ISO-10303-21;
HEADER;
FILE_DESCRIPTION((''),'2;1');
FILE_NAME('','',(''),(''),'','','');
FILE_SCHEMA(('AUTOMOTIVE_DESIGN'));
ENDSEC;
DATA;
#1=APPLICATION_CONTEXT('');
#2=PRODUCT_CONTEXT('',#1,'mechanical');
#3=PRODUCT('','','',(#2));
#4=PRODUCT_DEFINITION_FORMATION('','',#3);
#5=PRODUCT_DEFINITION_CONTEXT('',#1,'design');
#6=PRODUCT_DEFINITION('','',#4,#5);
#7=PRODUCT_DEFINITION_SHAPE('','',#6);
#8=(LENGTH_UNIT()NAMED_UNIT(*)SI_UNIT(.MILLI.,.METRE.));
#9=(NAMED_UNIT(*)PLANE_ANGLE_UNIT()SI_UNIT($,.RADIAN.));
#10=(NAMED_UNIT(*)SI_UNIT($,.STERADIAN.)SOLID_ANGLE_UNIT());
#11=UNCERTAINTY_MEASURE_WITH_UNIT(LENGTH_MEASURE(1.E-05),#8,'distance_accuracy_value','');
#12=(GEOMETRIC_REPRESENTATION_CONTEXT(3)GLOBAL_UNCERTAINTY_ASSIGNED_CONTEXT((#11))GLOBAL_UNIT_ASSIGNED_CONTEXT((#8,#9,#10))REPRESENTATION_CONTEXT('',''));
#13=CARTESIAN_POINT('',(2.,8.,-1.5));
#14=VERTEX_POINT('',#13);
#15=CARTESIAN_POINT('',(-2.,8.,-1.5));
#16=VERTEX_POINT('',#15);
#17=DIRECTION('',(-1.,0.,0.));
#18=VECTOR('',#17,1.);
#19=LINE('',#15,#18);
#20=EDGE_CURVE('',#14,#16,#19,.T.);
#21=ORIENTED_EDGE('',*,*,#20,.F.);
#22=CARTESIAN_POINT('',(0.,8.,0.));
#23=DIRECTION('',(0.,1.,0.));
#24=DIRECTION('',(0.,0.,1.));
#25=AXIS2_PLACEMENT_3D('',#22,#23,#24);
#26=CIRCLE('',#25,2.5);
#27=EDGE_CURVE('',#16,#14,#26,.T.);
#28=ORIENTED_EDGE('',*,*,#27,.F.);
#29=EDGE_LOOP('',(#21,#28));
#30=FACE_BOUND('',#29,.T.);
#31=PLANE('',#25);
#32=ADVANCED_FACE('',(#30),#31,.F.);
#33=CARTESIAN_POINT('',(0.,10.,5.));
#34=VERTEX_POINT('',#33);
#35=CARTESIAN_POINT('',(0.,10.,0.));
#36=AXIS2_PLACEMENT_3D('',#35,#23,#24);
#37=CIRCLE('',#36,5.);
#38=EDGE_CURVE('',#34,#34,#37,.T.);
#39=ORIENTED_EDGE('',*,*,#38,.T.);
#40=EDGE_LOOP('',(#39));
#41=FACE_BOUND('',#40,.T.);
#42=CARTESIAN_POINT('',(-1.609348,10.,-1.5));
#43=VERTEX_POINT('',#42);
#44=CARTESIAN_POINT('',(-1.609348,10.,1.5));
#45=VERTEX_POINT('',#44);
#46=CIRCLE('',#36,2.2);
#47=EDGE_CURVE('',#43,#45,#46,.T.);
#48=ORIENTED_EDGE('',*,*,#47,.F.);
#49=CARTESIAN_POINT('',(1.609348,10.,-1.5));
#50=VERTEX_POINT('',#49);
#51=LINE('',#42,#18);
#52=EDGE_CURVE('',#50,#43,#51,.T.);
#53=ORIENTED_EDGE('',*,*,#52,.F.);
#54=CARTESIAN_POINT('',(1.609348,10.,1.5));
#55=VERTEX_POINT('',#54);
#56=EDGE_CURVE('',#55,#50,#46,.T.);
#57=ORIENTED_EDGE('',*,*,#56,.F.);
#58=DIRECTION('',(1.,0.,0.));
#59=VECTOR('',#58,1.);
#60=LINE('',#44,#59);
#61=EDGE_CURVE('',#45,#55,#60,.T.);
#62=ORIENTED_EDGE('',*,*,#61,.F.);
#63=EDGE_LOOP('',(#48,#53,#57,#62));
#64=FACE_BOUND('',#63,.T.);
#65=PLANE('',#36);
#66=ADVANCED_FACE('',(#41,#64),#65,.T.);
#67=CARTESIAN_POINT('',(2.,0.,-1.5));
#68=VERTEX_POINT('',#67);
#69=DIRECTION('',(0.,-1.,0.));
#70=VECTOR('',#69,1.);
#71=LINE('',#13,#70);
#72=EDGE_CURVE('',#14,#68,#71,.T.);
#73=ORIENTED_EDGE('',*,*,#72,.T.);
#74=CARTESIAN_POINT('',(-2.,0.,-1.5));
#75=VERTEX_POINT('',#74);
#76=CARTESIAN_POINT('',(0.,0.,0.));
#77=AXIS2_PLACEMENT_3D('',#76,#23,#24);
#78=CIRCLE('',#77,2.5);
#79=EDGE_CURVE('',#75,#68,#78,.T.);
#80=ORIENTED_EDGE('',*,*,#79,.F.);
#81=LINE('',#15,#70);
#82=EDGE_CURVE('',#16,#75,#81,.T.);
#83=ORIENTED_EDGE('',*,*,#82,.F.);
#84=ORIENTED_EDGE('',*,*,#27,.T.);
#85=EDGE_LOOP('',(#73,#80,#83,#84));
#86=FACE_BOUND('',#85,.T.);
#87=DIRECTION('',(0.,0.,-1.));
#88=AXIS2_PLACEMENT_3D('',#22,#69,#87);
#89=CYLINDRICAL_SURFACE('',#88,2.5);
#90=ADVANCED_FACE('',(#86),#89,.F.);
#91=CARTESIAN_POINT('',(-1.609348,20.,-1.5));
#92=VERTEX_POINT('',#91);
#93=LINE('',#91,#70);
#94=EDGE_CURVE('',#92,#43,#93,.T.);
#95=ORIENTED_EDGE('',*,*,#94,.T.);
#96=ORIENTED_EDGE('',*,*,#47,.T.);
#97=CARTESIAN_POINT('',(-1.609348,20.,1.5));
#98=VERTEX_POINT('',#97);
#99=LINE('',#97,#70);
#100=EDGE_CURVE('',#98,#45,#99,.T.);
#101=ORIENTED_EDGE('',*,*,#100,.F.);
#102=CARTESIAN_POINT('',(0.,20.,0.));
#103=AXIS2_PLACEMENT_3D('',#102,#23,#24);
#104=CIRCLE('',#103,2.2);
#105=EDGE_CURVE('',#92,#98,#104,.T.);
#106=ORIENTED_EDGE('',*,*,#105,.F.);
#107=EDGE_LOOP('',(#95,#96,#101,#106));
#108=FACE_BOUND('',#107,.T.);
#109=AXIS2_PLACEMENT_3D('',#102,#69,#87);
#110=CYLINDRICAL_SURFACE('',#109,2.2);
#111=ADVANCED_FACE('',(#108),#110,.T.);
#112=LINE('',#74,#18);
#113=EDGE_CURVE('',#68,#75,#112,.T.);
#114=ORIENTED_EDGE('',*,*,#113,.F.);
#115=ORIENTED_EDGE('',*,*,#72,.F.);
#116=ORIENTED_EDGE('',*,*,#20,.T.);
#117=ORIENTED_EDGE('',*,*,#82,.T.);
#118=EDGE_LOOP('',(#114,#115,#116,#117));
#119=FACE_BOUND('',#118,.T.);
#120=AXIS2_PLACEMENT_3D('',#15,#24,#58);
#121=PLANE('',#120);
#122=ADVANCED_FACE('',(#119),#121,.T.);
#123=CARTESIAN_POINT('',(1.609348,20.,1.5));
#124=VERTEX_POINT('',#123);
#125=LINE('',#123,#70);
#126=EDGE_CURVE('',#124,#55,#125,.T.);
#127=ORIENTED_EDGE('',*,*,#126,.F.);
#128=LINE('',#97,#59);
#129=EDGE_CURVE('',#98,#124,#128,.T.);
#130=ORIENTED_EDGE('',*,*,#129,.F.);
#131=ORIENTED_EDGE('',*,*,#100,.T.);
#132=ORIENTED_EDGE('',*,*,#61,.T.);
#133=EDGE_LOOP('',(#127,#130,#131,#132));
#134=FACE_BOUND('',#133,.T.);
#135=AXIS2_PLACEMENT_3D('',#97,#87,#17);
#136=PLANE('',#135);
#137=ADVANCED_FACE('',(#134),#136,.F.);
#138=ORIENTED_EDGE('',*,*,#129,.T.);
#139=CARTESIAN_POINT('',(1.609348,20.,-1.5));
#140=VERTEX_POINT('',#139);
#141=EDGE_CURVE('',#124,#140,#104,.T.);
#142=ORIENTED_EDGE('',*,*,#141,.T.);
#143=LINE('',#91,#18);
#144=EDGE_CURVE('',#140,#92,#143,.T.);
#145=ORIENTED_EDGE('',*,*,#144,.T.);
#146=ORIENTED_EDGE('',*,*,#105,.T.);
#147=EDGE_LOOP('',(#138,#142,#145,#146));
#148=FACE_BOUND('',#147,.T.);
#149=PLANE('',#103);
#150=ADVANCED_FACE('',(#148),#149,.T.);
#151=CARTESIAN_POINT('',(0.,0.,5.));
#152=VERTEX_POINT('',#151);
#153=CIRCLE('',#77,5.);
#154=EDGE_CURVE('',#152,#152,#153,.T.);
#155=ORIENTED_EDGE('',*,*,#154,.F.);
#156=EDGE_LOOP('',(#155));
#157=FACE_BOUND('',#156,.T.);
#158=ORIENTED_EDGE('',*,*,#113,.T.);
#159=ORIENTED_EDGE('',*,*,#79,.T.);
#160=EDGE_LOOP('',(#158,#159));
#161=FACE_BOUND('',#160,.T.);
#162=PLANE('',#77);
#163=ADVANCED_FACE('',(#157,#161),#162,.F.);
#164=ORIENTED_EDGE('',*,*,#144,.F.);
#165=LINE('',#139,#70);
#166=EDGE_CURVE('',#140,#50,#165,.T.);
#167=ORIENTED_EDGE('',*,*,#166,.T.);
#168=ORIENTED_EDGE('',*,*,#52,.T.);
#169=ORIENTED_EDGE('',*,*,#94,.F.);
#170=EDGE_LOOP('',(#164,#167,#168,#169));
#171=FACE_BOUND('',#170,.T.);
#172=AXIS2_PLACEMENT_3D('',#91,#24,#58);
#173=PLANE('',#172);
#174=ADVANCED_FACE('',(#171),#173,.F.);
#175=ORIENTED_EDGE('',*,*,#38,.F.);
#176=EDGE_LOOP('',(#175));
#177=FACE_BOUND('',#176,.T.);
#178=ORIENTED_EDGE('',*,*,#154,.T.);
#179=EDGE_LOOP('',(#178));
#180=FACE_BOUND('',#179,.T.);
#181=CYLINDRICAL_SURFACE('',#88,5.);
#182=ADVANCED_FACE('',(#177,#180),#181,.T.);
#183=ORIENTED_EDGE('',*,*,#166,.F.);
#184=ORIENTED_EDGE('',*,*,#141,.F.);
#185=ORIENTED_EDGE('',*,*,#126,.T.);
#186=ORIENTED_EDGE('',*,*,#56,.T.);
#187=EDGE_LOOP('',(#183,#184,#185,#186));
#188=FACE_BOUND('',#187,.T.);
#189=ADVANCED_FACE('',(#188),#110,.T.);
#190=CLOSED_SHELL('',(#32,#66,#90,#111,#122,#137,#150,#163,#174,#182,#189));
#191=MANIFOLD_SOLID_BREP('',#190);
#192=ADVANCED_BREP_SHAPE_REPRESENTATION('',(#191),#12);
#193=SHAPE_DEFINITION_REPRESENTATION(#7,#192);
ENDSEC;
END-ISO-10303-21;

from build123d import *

# Parameters (mm, degrees)
SKETCH1_R           = 5
BOSS_EXTRUDE1_DEPTH = 8
SKETCH2_R           = 5
BOSS_EXTRUDE2_DEPTH = 2
BOSS_EXTRUDE3_DEPTH = 10


with BuildPart() as part:
    # Sketch1 → Boss-Extrude1 (new body)
    with BuildSketch(Plane(origin=(0, 0, 0), x_dir=(1, 0, 0), z_dir=(0, 1, 0))):
        Circle(SKETCH1_R)
        with BuildLine():
            Line((-2, 1.5), (2, 1.5))
            ThreePointArc((2, 1.5), (0, -2.5), (-2, 1.5))
        make_face(mode=Mode.SUBTRACT)
    extrude(amount=BOSS_EXTRUDE1_DEPTH)

    # Sketch2 → Boss-Extrude2 (add)
    with BuildSketch(Plane(origin=(0, 8, 0), x_dir=(1, 0, 0), z_dir=(0, 1, 0))):
        Circle(SKETCH2_R)
    extrude(amount=BOSS_EXTRUDE2_DEPTH)

    # Sketch3 → Boss-Extrude3 (add)
    with BuildSketch(Plane(origin=(0, 10, 0), x_dir=(1, 0, 0), z_dir=(0, 1, 0))):
        with BuildLine():
            Line((-1.609347694, 1.5), (1.609347694, 1.5))
            ThreePointArc((1.609347694, 1.5), (2.2, 0), (1.609347694, -1.5))
            Line((1.609347694, -1.5), (-1.609347694, -1.5))
            ThreePointArc((-1.609347694, -1.5), (-2.2, 0), (-1.609347694, 1.5))
        make_face()
    extrude(amount=BOSS_EXTRUDE3_DEPTH)


solid = part.part
